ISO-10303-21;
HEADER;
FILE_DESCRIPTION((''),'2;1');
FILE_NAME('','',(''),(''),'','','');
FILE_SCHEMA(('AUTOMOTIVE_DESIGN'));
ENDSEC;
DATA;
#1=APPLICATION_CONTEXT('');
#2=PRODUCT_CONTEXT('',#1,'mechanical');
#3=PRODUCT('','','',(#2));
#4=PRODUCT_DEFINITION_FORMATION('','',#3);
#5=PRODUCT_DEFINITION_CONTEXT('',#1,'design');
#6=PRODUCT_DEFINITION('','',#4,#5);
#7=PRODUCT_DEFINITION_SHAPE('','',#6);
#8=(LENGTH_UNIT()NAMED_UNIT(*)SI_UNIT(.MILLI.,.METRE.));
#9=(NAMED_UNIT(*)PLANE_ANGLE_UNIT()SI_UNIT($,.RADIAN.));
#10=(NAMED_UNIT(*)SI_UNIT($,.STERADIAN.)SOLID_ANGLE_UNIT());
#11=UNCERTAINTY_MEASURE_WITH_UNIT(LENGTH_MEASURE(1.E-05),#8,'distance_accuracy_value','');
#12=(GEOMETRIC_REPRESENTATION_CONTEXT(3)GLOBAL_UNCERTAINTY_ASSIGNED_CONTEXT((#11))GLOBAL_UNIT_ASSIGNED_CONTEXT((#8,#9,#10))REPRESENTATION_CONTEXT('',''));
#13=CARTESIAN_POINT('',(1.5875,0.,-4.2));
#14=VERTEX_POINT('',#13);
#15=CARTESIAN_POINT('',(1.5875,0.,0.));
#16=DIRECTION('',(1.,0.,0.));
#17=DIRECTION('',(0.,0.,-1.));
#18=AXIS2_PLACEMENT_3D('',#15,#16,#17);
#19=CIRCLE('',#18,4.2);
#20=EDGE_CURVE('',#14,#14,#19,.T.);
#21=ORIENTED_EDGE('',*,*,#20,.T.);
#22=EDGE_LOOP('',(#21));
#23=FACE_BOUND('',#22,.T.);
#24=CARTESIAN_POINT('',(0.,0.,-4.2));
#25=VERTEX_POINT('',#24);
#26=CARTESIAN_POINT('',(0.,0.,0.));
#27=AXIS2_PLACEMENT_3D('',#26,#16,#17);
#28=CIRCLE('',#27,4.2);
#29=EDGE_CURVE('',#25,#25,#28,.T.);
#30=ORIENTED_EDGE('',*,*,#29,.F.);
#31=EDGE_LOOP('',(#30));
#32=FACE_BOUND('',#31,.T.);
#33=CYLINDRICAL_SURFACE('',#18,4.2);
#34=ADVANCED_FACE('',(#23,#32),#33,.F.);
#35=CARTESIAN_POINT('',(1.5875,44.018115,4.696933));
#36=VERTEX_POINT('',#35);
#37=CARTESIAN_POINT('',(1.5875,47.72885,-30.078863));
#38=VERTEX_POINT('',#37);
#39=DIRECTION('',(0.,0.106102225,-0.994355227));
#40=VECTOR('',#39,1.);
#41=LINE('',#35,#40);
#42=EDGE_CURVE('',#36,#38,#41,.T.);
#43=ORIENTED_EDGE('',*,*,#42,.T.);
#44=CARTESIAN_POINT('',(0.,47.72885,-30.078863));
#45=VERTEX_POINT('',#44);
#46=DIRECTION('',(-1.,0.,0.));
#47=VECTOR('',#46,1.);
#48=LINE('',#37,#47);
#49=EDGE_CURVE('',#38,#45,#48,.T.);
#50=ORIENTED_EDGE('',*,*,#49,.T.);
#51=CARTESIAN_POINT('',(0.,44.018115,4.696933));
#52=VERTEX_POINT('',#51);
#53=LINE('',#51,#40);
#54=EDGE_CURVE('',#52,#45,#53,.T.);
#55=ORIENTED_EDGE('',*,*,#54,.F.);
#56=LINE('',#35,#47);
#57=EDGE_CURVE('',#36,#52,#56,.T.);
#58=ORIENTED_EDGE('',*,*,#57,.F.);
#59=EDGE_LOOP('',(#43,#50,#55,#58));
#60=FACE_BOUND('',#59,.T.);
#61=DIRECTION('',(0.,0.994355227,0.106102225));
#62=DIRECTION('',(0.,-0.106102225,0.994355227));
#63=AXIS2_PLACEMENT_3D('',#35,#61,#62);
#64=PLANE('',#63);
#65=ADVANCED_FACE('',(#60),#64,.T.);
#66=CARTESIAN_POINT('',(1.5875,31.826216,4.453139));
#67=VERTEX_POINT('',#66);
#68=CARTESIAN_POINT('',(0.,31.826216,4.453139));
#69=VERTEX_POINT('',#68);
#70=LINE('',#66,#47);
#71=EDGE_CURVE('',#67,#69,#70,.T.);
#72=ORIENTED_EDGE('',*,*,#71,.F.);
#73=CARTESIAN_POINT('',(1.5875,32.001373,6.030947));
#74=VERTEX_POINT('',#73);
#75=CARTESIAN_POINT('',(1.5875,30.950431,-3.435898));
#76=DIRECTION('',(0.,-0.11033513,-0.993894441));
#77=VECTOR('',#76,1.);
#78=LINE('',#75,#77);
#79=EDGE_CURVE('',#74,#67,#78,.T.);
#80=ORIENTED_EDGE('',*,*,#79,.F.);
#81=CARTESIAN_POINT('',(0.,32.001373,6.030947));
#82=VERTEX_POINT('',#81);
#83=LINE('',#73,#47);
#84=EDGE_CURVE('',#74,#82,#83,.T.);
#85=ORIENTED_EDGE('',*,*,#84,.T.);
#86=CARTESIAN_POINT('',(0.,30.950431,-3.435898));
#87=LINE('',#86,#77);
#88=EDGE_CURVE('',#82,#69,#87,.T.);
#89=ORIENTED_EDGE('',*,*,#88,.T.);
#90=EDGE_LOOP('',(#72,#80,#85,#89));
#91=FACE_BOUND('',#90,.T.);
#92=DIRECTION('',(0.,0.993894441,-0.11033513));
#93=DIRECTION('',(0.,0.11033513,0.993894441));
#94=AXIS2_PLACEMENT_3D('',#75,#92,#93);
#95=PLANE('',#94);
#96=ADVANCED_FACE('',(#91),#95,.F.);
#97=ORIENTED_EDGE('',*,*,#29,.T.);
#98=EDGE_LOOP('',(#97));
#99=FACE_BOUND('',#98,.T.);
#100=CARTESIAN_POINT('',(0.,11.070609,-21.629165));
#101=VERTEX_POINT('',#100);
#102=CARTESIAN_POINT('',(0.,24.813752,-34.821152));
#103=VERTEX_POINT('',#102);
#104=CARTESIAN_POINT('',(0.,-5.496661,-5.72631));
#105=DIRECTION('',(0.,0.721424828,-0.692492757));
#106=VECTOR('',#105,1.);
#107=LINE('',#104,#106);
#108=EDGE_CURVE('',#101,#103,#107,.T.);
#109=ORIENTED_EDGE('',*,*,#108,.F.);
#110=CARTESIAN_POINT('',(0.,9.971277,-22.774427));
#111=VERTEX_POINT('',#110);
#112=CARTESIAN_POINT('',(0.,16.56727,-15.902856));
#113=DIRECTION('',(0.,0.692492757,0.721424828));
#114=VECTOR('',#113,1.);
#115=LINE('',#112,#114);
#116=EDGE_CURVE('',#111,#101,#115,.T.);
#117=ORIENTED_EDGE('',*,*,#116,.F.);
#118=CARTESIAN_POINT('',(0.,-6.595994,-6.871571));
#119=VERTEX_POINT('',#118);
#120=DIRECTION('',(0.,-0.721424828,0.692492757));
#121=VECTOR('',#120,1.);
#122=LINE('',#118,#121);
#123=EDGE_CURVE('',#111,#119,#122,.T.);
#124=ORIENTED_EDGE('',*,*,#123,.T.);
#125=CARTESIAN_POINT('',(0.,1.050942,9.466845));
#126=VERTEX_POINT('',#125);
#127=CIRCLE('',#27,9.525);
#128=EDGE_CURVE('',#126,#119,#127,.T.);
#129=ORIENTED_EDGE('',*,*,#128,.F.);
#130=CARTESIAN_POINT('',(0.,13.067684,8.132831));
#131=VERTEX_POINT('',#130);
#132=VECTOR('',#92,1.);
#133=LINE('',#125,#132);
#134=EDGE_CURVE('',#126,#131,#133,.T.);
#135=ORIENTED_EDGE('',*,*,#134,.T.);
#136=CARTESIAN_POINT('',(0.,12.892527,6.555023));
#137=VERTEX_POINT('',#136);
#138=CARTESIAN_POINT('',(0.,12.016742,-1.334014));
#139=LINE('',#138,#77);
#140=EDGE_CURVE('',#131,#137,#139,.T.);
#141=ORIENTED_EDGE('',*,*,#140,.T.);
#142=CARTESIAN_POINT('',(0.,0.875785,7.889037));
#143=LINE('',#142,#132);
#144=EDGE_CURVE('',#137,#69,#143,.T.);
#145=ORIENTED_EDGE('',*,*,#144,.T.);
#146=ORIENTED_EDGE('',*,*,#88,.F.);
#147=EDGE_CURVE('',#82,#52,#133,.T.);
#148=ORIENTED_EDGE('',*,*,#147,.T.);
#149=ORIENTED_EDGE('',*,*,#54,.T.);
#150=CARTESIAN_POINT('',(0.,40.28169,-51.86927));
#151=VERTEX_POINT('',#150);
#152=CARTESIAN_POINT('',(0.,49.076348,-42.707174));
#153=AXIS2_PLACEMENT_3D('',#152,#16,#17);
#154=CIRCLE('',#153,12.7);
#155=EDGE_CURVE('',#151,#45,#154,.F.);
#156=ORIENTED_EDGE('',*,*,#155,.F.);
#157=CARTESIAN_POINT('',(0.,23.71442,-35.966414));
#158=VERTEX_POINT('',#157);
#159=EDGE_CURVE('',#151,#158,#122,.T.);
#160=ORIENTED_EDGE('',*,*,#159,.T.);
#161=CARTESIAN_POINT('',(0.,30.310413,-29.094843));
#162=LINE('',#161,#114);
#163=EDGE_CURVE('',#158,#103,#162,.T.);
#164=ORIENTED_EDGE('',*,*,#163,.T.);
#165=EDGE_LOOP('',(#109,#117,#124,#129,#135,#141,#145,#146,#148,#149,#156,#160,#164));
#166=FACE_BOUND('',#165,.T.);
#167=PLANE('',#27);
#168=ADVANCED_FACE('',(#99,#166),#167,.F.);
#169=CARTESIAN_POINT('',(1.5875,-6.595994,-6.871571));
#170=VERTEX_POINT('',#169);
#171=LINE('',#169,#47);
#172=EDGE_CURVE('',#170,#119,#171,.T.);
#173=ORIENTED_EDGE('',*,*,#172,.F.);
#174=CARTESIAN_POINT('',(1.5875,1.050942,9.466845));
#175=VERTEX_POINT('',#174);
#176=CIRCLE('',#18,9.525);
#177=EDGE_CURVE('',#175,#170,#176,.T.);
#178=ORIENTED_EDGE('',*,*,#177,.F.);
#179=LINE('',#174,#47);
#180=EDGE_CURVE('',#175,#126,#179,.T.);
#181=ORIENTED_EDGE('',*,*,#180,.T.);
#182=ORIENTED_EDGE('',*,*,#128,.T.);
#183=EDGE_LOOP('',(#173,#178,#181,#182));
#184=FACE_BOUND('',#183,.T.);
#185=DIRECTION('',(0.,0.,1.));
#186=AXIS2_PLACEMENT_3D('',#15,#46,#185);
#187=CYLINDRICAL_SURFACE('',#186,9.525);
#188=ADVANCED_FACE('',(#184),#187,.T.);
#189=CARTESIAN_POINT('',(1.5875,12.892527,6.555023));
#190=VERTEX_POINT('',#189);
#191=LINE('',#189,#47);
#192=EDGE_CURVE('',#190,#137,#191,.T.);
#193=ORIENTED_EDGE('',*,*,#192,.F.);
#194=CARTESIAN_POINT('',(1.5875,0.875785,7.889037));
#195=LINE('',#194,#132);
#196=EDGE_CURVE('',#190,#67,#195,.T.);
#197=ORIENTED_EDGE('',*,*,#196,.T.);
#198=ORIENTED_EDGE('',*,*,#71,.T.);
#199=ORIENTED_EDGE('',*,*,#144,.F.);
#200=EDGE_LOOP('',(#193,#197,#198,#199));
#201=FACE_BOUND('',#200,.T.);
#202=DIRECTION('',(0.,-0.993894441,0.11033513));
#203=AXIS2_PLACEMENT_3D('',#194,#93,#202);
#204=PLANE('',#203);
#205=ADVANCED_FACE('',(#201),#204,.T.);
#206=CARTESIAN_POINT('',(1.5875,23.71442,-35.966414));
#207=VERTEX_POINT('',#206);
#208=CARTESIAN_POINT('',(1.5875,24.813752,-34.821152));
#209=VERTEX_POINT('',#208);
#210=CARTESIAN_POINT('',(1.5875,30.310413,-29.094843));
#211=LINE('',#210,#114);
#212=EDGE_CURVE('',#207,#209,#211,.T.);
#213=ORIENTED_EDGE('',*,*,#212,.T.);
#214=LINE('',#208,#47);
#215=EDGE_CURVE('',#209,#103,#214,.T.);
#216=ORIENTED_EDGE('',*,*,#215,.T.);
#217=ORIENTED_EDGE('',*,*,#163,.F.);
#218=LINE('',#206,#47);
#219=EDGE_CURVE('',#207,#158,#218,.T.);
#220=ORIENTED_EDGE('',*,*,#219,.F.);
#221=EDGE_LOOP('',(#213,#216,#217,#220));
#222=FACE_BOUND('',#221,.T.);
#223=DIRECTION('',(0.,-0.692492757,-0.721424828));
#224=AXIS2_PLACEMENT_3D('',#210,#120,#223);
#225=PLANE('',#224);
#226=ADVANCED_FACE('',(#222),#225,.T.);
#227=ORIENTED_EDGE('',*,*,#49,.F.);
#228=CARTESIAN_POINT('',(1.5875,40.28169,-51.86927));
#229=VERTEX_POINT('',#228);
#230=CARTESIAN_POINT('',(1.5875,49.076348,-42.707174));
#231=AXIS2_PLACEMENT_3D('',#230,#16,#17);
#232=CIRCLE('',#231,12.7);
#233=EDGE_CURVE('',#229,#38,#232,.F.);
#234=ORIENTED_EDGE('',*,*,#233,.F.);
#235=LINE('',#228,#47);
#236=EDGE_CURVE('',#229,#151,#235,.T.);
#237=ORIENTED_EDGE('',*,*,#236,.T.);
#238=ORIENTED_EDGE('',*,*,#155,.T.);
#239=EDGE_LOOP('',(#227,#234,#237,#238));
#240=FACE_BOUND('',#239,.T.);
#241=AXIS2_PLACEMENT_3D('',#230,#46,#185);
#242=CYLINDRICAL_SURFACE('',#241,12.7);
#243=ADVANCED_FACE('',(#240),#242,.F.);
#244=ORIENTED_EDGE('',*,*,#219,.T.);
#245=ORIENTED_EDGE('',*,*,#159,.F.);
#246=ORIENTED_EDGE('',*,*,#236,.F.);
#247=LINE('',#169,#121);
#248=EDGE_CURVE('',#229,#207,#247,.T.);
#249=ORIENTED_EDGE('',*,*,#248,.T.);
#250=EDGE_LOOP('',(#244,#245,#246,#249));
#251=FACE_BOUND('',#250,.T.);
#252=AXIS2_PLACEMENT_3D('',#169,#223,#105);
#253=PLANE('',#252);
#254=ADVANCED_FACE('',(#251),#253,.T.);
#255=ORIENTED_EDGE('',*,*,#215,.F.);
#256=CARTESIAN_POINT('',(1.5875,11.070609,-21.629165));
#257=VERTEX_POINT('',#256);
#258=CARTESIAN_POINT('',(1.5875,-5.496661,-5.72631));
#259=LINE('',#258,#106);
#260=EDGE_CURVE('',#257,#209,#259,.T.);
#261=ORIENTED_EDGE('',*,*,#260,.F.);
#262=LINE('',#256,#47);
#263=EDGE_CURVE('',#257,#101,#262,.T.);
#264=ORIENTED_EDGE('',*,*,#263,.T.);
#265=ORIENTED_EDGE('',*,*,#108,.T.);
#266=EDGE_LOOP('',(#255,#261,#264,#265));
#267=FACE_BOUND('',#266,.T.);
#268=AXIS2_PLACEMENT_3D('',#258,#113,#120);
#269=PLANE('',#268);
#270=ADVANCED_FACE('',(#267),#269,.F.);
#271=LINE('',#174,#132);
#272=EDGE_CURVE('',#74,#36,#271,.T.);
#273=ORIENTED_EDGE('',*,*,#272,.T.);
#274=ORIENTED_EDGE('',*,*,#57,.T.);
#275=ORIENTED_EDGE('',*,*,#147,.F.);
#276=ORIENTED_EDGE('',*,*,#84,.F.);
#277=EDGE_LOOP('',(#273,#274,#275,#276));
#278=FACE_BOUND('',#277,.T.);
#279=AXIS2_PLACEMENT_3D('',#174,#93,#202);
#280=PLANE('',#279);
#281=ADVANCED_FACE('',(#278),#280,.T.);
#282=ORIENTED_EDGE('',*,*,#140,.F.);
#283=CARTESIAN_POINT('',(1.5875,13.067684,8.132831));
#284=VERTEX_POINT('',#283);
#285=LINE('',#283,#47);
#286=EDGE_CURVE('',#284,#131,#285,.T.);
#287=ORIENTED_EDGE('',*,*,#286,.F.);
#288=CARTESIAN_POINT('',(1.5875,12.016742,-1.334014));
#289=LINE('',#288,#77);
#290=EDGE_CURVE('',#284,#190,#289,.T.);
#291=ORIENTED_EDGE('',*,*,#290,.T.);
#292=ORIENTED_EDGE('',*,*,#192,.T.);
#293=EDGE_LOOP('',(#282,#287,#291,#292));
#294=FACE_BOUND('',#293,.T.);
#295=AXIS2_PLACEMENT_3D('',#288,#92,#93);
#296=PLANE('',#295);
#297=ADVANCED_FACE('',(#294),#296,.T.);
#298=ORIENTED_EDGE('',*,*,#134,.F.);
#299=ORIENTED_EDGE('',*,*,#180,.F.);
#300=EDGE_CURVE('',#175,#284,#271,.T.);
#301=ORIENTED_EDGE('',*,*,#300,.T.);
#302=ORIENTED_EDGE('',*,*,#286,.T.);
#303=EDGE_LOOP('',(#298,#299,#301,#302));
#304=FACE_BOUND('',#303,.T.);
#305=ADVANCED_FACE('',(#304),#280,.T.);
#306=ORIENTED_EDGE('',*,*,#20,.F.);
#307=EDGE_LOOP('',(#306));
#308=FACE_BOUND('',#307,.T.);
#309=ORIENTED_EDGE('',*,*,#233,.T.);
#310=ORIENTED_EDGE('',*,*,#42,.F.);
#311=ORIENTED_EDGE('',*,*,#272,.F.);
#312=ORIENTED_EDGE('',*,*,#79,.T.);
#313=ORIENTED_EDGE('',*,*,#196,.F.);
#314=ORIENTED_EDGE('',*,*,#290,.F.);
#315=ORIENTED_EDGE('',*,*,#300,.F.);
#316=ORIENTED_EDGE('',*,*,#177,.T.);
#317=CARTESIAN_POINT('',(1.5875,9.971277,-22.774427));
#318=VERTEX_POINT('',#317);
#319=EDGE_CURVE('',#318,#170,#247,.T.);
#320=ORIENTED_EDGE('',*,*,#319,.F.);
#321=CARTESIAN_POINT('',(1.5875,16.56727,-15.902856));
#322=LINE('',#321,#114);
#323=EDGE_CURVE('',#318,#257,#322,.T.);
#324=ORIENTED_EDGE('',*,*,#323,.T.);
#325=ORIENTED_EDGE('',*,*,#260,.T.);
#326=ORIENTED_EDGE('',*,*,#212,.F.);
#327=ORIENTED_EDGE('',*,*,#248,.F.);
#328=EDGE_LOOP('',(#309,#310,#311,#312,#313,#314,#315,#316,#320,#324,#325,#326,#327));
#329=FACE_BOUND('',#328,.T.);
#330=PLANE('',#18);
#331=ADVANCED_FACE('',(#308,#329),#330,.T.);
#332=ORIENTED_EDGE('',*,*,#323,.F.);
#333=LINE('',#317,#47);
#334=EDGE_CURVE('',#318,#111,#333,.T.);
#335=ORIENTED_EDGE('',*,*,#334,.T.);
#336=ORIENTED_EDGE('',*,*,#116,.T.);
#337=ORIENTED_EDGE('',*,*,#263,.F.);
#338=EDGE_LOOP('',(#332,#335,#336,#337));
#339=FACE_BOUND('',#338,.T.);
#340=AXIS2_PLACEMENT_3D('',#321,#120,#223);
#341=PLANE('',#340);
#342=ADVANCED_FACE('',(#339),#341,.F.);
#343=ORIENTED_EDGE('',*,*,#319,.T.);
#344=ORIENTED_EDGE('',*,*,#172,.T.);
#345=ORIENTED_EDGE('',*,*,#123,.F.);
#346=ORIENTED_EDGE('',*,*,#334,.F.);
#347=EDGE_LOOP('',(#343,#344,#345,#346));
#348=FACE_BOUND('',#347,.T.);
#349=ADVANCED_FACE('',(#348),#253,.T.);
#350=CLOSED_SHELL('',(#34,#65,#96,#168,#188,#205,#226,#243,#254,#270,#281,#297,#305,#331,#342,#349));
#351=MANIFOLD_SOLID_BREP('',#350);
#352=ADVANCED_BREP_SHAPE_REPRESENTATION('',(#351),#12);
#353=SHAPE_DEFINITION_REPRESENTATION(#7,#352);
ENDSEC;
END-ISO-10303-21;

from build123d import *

# Parameters (mm, degrees)
BOSS_EXTRUDE1_DEPTH  = 1.5875
M8_CLEARANCE_HOLE1_D = 8.4


with BuildPart() as part:
    # Sketch1 → Boss-Extrude1 (new body)
    with BuildSketch(Plane(origin=(0, 0, 0), x_dir=(0, 0, -1), z_dir=(1, 0, 0))):
        with BuildLine():
            Line((-9.466844547, 1.05094211), (-8.132830894, 13.067683806))
            Line((-8.132830894, 13.067683806), (-6.55502347, 12.892526787))
            Line((-6.55502347, 12.892526787), (-4.453139249, 31.826215882))
            Line((-4.453139249, 31.826215882), (-6.030946674, 32.0013729))
            Line((-6.030946674, 32.0013729), (-4.696933021, 44.018114595))
            Line((-4.696933021, 44.018114595), (30.078862848, 47.728850174))
            ThreePointArc((30.078862848, 47.728850174), (38.60002065, 37.058807525), (51.869269545, 40.281690423))
            Line((51.869269545, 40.281690423), (35.966414021, 23.714419941))
            Line((35.966414021, 23.714419941), (34.821152107, 24.813752193))
            Line((34.821152107, 24.813752193), (21.629165093, 11.070609225))
            Line((21.629165093, 11.070609225), (22.774427007, 9.971276974))
            Line((22.774427007, 9.971276974), (6.871571484, -6.595993507))
            ThreePointArc((6.871571484, -6.595993507), (-4.037668467, -8.626868397), (-9.466844547, 1.05094211))
        make_face()
    extrude(amount=BOSS_EXTRUDE1_DEPTH)

    # M8 Clearance Hole1 (through all)
    with Locations(Plane(origin=(1.5875, 0, 0), x_dir=(0, 0, -1), z_dir=(1, 0, 0))):
        with Locations((0, 0)):
            Hole(M8_CLEARANCE_HOLE1_D / 2)


solid = part.part
